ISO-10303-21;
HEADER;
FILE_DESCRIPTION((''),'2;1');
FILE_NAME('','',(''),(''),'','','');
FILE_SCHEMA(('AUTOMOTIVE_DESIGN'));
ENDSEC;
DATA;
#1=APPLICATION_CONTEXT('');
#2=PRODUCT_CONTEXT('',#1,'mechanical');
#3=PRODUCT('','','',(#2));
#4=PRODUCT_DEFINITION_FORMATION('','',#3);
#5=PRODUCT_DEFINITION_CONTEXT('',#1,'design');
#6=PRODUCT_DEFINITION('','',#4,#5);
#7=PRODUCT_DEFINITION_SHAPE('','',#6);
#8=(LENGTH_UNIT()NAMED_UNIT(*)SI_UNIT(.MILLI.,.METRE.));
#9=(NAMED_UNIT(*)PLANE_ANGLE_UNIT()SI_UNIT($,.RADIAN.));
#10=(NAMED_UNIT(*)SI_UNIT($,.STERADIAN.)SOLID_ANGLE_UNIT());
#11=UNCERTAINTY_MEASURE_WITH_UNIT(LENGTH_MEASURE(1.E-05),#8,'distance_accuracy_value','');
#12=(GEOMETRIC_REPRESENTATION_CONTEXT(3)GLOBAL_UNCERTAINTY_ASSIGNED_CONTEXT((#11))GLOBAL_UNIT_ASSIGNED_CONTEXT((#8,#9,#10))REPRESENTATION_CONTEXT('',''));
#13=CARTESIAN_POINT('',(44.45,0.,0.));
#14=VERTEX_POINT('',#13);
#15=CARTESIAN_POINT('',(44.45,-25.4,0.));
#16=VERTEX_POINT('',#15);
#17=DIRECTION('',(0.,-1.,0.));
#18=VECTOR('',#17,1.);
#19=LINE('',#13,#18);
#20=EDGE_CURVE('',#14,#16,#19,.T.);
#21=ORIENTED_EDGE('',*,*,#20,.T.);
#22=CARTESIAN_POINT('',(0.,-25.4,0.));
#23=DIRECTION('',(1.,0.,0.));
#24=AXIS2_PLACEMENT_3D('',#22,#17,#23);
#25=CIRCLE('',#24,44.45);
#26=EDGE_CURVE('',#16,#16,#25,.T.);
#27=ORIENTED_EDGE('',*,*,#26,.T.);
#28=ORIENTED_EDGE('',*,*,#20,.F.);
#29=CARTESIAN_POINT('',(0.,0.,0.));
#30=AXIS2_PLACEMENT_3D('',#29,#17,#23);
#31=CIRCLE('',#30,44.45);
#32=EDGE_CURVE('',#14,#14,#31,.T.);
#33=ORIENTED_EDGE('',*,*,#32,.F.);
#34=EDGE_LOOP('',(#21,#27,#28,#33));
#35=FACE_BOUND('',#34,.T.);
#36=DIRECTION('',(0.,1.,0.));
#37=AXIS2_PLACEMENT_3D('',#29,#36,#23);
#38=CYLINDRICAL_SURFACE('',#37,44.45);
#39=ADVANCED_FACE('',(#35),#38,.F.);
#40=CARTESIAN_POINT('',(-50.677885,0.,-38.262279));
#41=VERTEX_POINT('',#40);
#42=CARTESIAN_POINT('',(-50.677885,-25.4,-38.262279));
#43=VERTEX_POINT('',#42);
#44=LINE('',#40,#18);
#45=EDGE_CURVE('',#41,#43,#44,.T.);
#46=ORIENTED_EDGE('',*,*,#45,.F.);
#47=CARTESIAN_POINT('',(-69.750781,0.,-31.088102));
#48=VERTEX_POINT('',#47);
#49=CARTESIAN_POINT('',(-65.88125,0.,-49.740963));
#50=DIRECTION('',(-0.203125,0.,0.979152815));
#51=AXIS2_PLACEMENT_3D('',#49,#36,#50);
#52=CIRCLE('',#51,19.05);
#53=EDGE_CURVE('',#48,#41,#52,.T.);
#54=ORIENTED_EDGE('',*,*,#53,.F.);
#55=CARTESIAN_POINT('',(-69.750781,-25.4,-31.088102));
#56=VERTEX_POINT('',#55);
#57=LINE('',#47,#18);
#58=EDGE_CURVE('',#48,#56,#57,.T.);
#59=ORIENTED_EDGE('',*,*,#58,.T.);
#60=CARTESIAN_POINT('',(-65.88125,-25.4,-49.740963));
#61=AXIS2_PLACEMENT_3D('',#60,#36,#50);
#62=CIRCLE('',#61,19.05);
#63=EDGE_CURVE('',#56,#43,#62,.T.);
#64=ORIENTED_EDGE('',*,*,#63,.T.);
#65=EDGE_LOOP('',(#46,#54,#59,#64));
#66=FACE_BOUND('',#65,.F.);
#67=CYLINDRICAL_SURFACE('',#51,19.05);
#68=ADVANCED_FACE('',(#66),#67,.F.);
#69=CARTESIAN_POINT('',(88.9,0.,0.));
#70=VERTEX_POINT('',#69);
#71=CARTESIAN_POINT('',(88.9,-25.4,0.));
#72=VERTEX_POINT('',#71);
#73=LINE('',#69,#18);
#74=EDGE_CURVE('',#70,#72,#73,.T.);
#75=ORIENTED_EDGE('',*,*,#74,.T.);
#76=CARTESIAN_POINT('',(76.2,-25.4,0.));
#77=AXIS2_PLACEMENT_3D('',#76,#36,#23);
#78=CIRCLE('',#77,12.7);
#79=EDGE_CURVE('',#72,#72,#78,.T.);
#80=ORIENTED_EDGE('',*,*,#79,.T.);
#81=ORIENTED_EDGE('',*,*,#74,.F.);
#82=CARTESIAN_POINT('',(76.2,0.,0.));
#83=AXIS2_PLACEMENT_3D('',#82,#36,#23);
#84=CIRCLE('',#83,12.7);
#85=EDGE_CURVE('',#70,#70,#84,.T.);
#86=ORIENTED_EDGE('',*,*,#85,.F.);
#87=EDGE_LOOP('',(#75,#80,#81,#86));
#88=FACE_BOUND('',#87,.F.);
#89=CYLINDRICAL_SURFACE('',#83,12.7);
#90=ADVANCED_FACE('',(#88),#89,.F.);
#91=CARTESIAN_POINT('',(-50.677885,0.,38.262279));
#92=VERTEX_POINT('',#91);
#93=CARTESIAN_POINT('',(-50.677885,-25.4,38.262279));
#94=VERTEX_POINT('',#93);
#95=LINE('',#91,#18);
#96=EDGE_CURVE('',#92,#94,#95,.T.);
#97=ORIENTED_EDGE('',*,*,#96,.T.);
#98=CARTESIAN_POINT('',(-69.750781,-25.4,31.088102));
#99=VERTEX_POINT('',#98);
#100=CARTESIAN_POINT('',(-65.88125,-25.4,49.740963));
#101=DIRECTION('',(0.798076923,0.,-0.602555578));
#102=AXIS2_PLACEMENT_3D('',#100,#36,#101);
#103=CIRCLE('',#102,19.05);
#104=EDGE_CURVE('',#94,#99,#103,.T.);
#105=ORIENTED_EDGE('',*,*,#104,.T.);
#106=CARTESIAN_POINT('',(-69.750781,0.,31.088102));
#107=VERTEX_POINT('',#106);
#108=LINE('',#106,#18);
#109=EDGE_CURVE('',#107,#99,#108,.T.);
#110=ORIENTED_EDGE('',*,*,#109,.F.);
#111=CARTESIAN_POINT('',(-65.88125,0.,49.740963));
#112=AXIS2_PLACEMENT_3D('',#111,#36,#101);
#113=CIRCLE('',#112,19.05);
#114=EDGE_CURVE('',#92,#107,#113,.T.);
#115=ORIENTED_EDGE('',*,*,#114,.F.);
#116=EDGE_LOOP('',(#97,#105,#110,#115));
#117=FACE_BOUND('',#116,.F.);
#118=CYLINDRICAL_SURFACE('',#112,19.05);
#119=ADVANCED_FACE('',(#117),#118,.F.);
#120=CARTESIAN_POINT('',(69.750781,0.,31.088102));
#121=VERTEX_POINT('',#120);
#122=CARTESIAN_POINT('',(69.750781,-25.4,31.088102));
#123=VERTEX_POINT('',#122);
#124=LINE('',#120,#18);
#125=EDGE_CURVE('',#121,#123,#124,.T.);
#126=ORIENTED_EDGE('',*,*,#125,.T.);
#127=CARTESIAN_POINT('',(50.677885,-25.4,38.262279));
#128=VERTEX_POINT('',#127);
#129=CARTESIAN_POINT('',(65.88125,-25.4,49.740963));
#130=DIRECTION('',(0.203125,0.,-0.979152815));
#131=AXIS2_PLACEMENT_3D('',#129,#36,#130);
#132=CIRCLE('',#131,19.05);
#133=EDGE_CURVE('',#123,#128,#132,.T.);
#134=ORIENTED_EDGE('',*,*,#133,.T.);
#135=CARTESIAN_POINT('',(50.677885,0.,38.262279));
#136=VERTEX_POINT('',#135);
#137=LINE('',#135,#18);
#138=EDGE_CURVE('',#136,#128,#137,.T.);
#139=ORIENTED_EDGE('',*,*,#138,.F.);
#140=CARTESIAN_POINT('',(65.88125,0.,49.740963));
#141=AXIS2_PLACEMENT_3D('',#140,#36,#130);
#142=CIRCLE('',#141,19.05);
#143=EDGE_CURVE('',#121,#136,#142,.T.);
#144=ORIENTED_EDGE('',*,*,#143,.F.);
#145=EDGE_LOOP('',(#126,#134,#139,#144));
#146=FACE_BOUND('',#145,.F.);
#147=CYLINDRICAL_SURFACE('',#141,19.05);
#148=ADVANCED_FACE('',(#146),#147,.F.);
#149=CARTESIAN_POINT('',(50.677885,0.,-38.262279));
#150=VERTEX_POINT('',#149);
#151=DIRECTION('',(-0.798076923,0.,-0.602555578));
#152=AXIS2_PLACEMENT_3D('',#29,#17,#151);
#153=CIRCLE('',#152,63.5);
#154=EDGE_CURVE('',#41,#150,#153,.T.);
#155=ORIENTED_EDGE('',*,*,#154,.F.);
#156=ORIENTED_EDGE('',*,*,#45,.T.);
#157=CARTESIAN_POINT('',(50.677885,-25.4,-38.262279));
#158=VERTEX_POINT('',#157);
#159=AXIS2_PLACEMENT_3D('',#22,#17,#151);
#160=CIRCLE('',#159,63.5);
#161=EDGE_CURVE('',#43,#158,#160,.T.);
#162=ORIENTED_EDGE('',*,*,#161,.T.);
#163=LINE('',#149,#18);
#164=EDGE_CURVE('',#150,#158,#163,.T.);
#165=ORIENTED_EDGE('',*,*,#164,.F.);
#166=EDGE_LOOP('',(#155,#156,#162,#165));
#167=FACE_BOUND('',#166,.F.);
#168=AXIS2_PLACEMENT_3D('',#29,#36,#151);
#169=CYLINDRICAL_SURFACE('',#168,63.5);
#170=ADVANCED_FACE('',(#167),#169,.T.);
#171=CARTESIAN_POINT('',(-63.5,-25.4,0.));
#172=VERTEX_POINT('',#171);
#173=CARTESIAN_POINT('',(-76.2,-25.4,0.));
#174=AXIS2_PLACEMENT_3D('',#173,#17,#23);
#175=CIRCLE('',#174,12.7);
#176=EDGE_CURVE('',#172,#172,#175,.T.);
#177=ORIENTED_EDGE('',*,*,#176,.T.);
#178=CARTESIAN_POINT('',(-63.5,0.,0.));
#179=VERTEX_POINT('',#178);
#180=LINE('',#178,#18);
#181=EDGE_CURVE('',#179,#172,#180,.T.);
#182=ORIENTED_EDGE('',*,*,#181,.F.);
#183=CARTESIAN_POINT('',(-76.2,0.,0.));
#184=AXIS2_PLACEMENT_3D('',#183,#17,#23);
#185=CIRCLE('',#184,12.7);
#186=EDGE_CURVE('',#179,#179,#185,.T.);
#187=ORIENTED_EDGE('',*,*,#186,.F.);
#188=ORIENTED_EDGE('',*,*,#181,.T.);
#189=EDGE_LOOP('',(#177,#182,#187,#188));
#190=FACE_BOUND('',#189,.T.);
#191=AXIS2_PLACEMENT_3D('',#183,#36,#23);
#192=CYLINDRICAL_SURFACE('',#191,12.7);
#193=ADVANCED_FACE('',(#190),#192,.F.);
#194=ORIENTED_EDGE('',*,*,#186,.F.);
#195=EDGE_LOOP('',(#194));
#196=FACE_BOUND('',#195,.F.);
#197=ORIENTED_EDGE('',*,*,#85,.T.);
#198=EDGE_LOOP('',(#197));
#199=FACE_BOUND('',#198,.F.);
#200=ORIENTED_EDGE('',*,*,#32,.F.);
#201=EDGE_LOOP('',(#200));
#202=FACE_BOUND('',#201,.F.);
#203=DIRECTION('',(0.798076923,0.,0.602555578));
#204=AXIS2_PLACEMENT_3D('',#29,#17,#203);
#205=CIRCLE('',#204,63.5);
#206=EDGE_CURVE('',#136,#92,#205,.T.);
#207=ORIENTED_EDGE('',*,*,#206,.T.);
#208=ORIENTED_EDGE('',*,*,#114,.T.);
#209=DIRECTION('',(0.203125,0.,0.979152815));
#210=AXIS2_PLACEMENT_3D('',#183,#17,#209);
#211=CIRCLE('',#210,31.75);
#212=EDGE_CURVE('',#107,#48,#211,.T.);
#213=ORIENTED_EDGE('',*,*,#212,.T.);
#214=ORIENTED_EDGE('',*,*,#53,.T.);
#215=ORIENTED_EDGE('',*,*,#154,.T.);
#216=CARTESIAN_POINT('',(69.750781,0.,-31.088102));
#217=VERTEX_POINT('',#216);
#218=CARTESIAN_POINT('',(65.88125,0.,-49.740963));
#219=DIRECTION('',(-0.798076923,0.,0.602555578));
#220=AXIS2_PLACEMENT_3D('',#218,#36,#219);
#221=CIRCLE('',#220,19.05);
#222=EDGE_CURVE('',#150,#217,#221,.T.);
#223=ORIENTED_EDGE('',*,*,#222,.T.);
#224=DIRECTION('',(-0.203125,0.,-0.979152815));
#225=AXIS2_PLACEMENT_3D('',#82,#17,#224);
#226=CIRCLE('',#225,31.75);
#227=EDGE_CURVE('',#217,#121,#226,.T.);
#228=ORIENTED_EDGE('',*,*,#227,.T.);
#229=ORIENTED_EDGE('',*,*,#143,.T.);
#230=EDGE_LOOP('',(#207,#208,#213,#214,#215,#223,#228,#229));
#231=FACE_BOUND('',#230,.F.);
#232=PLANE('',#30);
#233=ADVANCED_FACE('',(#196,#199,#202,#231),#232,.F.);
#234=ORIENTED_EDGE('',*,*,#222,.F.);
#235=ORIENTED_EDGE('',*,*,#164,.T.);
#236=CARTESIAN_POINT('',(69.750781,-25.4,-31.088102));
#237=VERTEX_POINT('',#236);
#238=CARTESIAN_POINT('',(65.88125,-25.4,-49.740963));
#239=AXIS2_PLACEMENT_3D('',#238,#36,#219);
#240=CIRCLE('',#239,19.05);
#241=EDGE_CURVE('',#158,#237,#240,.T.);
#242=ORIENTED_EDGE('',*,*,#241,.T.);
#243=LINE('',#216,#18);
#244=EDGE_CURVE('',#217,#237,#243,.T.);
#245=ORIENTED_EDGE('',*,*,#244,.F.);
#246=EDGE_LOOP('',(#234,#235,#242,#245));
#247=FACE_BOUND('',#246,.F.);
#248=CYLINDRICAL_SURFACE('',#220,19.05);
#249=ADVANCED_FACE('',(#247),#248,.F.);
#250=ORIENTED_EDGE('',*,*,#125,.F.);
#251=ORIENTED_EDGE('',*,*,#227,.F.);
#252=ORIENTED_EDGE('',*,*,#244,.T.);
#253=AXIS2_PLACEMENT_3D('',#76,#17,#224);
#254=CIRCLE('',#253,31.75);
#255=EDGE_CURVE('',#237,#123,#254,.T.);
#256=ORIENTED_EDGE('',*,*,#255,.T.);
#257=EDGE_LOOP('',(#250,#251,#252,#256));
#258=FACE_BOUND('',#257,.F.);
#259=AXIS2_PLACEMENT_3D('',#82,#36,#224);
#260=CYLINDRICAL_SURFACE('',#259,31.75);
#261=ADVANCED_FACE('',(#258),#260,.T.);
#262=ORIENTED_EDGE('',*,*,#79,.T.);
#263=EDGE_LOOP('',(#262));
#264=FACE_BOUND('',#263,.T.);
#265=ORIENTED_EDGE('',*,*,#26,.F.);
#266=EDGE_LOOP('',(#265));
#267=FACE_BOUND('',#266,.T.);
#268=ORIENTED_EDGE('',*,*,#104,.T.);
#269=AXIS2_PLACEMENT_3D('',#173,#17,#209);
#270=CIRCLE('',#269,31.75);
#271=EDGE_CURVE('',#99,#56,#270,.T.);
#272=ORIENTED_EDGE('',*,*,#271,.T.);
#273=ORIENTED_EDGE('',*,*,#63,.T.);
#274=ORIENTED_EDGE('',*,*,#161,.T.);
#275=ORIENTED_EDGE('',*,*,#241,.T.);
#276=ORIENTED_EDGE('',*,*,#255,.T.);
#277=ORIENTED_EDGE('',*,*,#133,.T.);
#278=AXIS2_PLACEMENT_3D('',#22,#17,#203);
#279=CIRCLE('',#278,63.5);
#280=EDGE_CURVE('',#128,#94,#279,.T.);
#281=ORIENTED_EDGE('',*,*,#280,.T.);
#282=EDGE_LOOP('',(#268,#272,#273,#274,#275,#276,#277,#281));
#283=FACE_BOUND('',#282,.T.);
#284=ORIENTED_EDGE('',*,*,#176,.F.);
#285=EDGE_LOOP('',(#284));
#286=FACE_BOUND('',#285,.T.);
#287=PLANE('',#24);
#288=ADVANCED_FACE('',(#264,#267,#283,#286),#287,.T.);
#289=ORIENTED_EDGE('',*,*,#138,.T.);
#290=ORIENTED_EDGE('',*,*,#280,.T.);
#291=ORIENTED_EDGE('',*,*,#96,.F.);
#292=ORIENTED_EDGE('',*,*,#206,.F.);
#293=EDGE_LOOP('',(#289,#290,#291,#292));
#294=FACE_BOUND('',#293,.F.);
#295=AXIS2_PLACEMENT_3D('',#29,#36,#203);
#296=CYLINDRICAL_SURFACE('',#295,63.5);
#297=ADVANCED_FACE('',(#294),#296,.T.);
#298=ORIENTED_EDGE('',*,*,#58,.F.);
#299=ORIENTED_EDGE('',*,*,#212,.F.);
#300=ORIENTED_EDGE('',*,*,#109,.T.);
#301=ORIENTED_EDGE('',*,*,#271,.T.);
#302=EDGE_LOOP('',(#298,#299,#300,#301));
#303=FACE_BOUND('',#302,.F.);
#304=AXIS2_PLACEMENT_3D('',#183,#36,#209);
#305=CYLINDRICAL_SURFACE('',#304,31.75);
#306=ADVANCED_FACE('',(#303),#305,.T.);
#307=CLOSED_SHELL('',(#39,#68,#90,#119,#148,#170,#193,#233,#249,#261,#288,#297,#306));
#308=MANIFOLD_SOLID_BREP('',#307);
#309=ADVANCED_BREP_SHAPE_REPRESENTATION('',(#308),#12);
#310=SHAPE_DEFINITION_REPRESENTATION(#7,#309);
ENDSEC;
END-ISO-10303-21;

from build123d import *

# Parameters (mm, degrees)
F0_R     = 12.7
F0_R_2   = 44.45
F1_DEPTH = 25.4
F2_DEPTH = 25.4
F3_DEPTH = 25.4


with BuildPart() as f1:
    # F0 (on Front) → F1 (new body)
    with BuildSketch(Plane.XZ):
        with BuildLine():
            ThreePointArc((-69.75078125, -31.0881018641), (-59.174450896, -31.9106139737), (-50.6778846154, -38.2622792174))
            ThreePointArc((-50.6778846154, -38.2622792174), (0, -63.5), (50.6778846154, -38.2622792174))
            ThreePointArc((50.6778846154, -38.2622792174), (59.174450896, -31.9106139737), (69.75078125, -31.0881018641))
            ThreePointArc((69.75078125, -31.0881018641), (107.95, 0), (69.75078125, 31.0881018641))
            ThreePointArc((69.75078125, 31.0881018641), (59.174450896, 31.9106139737), (50.6778846154, 38.2622792174))
            ThreePointArc((50.6778846154, 38.2622792174), (0, 63.5), (-50.6778846154, 38.2622792174))
            ThreePointArc((-50.6778846154, 38.2622792174), (-59.174450896, 31.9106139737), (-69.75078125, 31.0881018641))
            ThreePointArc((-69.75078125, 31.0881018641), (-107.95, 0), (-69.75078125, -31.0881018641))
        make_face()
        with Locations((-76.2, 0)):
            Circle(F0_R, mode=Mode.SUBTRACT)
        Circle(F0_R_2, mode=Mode.SUBTRACT)
        with BuildLine():
            ThreePointArc((63.5, 0), (76.2, 12.7), (88.9, 0))
            ThreePointArc((88.9, 0), (76.2, -12.7), (63.5, 0))
        make_face(mode=Mode.SUBTRACT)
    extrude(amount=F1_DEPTH)

    # F0 (on Front) → F2 (join)
    with BuildSketch(Plane.XZ):
        with BuildLine():
            ThreePointArc((-69.75078125, -31.0881018641), (-59.174450896, -31.9106139737), (-50.6778846154, -38.2622792174))
            ThreePointArc((-50.6778846154, -38.2622792174), (0, -63.5), (50.6778846154, -38.2622792174))
            ThreePointArc((50.6778846154, -38.2622792174), (59.174450896, -31.9106139737), (69.75078125, -31.0881018641))
            ThreePointArc((69.75078125, -31.0881018641), (107.95, 0), (69.75078125, 31.0881018641))
            ThreePointArc((69.75078125, 31.0881018641), (59.174450896, 31.9106139737), (50.6778846154, 38.2622792174))
            ThreePointArc((50.6778846154, 38.2622792174), (0, 63.5), (-50.6778846154, 38.2622792174))
            ThreePointArc((-50.6778846154, 38.2622792174), (-59.174450896, 31.9106139737), (-69.75078125, 31.0881018641))
            ThreePointArc((-69.75078125, 31.0881018641), (-107.95, 0), (-69.75078125, -31.0881018641))
        make_face()
        with Locations((-76.2, 0)):
            Circle(F0_R, mode=Mode.SUBTRACT)
        Circle(F0_R_2, mode=Mode.SUBTRACT)
        with BuildLine():
            ThreePointArc((63.5, 0), (76.2, 12.7), (88.9, 0))
            ThreePointArc((88.9, 0), (76.2, -12.7), (63.5, 0))
        make_face(mode=Mode.SUBTRACT)
    extrude(amount=F2_DEPTH)

    # F0 (on Front) → F3 (cut)
    with BuildSketch(Plane.XZ):
        Circle(F0_R_2)
    extrude(amount=-F3_DEPTH, mode=Mode.SUBTRACT)


solid = f1.part
